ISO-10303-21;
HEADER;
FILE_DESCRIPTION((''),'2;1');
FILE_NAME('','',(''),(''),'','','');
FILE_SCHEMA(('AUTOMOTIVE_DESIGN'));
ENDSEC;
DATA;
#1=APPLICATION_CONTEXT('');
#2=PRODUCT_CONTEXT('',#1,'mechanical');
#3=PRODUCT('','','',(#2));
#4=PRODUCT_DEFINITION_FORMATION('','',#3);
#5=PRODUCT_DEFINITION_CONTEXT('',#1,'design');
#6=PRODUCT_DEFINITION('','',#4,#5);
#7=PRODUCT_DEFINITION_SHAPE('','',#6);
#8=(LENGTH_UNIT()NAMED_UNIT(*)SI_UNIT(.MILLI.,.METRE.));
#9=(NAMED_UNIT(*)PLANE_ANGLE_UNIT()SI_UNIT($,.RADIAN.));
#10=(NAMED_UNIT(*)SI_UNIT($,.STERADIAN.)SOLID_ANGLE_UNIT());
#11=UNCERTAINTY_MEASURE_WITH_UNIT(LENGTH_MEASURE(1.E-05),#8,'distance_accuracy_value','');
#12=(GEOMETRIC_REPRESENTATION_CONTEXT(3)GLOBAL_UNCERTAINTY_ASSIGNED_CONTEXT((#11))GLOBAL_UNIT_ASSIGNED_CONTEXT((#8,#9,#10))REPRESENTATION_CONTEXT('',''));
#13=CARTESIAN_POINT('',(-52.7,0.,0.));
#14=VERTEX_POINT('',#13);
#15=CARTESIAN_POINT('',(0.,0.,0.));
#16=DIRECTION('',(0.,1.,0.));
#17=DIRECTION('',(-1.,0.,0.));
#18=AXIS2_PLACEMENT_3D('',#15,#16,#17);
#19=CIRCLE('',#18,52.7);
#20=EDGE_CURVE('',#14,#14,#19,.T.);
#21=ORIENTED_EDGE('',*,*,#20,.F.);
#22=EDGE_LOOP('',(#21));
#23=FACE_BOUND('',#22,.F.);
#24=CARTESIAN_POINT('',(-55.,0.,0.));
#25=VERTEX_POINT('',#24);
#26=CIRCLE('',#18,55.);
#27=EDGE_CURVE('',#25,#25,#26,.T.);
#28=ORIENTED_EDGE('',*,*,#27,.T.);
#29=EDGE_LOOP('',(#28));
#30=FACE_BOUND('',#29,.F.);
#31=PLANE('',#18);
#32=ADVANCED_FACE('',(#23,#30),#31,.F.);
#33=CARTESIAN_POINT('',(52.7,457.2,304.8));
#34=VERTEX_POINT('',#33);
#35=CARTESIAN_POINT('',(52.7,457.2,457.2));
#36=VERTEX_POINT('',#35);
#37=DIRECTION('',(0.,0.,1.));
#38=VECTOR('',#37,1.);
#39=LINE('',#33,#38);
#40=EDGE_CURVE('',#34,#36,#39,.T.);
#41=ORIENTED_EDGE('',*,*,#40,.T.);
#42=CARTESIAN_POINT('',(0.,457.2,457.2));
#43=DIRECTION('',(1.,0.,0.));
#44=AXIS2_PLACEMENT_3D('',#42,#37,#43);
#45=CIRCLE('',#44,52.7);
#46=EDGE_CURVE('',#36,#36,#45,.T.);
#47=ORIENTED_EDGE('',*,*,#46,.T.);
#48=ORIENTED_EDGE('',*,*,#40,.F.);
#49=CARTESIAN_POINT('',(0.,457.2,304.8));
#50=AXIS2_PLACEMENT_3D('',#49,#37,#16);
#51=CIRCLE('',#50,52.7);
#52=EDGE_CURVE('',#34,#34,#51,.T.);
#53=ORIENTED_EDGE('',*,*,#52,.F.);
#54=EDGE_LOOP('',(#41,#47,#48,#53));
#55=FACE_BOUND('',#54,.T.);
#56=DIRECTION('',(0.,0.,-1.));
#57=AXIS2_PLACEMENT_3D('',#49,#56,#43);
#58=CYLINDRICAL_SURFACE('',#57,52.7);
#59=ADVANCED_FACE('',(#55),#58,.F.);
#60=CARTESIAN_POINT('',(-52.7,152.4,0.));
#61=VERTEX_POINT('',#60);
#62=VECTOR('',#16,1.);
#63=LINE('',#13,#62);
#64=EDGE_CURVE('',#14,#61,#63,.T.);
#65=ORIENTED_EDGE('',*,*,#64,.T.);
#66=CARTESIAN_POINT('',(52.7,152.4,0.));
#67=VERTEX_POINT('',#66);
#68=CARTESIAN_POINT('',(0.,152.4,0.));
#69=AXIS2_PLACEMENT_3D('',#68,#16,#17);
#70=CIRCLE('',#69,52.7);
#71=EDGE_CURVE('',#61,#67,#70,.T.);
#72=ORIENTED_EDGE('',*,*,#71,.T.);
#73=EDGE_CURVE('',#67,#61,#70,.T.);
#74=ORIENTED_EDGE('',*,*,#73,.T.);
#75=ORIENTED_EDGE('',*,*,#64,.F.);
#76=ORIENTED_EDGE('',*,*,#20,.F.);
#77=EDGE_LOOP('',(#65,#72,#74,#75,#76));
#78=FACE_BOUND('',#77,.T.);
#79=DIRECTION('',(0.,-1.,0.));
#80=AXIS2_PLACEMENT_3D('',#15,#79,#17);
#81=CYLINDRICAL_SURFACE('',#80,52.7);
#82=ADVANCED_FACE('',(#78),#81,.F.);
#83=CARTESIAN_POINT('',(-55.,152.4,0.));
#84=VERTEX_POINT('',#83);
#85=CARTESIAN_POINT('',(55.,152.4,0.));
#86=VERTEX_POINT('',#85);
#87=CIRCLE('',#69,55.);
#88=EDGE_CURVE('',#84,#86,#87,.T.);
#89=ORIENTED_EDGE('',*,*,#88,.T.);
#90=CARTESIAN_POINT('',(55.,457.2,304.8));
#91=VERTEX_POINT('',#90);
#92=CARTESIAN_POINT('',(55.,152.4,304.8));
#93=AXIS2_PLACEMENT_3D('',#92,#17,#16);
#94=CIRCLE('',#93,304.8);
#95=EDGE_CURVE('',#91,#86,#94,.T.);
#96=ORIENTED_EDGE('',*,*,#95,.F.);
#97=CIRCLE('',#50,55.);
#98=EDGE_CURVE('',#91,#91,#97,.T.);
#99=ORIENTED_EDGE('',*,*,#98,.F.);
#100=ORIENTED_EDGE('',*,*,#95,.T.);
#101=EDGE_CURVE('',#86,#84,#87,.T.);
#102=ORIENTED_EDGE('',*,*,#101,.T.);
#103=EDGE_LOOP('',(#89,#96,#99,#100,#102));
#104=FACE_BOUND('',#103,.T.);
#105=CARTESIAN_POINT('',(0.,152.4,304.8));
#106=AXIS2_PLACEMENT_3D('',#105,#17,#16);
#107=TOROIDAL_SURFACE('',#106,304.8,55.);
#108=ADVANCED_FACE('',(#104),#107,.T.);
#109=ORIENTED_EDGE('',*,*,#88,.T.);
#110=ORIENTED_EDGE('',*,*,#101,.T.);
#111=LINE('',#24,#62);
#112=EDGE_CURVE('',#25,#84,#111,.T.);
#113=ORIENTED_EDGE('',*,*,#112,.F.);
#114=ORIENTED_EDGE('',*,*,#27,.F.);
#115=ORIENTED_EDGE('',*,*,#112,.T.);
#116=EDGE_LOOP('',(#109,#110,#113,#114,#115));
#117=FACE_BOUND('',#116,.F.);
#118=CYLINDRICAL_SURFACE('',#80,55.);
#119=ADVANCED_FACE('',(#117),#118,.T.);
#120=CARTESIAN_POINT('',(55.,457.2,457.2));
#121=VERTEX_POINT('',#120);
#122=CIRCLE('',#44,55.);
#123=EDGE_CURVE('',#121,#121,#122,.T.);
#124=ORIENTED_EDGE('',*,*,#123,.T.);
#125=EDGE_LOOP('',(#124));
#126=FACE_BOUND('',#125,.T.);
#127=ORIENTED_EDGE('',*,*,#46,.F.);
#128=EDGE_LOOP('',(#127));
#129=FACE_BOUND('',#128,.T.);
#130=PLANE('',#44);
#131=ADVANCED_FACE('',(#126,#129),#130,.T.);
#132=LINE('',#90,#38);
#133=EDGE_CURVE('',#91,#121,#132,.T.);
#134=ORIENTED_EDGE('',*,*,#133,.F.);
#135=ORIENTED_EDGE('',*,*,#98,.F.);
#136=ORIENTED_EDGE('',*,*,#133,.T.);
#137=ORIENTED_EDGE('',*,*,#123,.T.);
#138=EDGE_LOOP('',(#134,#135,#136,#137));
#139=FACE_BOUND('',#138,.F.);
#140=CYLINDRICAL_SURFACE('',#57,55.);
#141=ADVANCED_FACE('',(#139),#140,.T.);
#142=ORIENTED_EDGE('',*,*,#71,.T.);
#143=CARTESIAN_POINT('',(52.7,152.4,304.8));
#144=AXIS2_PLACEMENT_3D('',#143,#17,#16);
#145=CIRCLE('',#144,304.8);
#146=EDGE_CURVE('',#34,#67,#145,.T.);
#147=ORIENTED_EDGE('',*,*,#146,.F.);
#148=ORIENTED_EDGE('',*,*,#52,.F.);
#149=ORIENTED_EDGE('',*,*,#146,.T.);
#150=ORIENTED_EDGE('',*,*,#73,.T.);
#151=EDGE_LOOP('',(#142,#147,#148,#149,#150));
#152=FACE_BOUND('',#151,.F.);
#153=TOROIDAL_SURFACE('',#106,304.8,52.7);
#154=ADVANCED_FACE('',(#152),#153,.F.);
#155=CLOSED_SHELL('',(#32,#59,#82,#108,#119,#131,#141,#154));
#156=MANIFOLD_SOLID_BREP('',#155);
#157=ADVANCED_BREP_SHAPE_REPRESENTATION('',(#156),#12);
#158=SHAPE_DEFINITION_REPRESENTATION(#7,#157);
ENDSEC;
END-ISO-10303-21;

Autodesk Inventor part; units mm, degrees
ref_plane "YZ Plane" through (0, 0, 0) normal (1, 0, 0) x (0, 1, 0)
ref_plane "XZ Plane" through (0, 0, 0) normal (0, 1, 0) x (-1, 0, 0)
sketch "Sketch1" plane through (0, 0, 0) normal (0, 1, 0) x (-1, 0, 0)
  circle A0 centre (0, 0) radius 55
  circle A1 centre (0, 0) radius 52.7
  dimension "d0" = 110
  dimension "d1" = 2.3
extrude "Extrusion1" add sketch "Sketch1" along normal blind 152.4
sketch "Sketch4" plane through (0, 152.4, 0) normal (0, 1, 0) x (1, 0, 0)
  circle A0 centre (0, 0) radius 52.7 projected
  circle A1 centre (0, 0) radius 55 projected
  point P0 (-55, 0)
ref_plane "Work Plane4" through (-55, 152.4, 0) normal (-1, 0, 0) x (0, -1, 0)
sketch "Sketch8" plane through (-55, 152.4, 0) normal (-1, 0, 0) x (0, -1, 0)
  line L0 (0, 0) -> (0, 304.8) construction
  arc A0 (-304.8, 304.8) -> (0, 0) centre (0, 304.8) ccw
  line L1 (0, 304.8) -> (-304.8, 304.8) construction
  point P0 (152.4, 0)
  dimension "d7" = 304.8
sweep "Sweep1" add profiles "Sketch4" path "Sketch8"
sketch "Sketch9" plane through (0, 457.2, 304.8) normal (0, 0, 1) x (1, 0, 0)
  circle A0 centre (0, 0) radius 52.7 projected
  circle A1 centre (0, 0) radius 55 projected
  point P0 (0, -457.2)
extrude "Extrusion2" add sketch "Sketch9" along normal blind 152.4
properties part number "sweep"
